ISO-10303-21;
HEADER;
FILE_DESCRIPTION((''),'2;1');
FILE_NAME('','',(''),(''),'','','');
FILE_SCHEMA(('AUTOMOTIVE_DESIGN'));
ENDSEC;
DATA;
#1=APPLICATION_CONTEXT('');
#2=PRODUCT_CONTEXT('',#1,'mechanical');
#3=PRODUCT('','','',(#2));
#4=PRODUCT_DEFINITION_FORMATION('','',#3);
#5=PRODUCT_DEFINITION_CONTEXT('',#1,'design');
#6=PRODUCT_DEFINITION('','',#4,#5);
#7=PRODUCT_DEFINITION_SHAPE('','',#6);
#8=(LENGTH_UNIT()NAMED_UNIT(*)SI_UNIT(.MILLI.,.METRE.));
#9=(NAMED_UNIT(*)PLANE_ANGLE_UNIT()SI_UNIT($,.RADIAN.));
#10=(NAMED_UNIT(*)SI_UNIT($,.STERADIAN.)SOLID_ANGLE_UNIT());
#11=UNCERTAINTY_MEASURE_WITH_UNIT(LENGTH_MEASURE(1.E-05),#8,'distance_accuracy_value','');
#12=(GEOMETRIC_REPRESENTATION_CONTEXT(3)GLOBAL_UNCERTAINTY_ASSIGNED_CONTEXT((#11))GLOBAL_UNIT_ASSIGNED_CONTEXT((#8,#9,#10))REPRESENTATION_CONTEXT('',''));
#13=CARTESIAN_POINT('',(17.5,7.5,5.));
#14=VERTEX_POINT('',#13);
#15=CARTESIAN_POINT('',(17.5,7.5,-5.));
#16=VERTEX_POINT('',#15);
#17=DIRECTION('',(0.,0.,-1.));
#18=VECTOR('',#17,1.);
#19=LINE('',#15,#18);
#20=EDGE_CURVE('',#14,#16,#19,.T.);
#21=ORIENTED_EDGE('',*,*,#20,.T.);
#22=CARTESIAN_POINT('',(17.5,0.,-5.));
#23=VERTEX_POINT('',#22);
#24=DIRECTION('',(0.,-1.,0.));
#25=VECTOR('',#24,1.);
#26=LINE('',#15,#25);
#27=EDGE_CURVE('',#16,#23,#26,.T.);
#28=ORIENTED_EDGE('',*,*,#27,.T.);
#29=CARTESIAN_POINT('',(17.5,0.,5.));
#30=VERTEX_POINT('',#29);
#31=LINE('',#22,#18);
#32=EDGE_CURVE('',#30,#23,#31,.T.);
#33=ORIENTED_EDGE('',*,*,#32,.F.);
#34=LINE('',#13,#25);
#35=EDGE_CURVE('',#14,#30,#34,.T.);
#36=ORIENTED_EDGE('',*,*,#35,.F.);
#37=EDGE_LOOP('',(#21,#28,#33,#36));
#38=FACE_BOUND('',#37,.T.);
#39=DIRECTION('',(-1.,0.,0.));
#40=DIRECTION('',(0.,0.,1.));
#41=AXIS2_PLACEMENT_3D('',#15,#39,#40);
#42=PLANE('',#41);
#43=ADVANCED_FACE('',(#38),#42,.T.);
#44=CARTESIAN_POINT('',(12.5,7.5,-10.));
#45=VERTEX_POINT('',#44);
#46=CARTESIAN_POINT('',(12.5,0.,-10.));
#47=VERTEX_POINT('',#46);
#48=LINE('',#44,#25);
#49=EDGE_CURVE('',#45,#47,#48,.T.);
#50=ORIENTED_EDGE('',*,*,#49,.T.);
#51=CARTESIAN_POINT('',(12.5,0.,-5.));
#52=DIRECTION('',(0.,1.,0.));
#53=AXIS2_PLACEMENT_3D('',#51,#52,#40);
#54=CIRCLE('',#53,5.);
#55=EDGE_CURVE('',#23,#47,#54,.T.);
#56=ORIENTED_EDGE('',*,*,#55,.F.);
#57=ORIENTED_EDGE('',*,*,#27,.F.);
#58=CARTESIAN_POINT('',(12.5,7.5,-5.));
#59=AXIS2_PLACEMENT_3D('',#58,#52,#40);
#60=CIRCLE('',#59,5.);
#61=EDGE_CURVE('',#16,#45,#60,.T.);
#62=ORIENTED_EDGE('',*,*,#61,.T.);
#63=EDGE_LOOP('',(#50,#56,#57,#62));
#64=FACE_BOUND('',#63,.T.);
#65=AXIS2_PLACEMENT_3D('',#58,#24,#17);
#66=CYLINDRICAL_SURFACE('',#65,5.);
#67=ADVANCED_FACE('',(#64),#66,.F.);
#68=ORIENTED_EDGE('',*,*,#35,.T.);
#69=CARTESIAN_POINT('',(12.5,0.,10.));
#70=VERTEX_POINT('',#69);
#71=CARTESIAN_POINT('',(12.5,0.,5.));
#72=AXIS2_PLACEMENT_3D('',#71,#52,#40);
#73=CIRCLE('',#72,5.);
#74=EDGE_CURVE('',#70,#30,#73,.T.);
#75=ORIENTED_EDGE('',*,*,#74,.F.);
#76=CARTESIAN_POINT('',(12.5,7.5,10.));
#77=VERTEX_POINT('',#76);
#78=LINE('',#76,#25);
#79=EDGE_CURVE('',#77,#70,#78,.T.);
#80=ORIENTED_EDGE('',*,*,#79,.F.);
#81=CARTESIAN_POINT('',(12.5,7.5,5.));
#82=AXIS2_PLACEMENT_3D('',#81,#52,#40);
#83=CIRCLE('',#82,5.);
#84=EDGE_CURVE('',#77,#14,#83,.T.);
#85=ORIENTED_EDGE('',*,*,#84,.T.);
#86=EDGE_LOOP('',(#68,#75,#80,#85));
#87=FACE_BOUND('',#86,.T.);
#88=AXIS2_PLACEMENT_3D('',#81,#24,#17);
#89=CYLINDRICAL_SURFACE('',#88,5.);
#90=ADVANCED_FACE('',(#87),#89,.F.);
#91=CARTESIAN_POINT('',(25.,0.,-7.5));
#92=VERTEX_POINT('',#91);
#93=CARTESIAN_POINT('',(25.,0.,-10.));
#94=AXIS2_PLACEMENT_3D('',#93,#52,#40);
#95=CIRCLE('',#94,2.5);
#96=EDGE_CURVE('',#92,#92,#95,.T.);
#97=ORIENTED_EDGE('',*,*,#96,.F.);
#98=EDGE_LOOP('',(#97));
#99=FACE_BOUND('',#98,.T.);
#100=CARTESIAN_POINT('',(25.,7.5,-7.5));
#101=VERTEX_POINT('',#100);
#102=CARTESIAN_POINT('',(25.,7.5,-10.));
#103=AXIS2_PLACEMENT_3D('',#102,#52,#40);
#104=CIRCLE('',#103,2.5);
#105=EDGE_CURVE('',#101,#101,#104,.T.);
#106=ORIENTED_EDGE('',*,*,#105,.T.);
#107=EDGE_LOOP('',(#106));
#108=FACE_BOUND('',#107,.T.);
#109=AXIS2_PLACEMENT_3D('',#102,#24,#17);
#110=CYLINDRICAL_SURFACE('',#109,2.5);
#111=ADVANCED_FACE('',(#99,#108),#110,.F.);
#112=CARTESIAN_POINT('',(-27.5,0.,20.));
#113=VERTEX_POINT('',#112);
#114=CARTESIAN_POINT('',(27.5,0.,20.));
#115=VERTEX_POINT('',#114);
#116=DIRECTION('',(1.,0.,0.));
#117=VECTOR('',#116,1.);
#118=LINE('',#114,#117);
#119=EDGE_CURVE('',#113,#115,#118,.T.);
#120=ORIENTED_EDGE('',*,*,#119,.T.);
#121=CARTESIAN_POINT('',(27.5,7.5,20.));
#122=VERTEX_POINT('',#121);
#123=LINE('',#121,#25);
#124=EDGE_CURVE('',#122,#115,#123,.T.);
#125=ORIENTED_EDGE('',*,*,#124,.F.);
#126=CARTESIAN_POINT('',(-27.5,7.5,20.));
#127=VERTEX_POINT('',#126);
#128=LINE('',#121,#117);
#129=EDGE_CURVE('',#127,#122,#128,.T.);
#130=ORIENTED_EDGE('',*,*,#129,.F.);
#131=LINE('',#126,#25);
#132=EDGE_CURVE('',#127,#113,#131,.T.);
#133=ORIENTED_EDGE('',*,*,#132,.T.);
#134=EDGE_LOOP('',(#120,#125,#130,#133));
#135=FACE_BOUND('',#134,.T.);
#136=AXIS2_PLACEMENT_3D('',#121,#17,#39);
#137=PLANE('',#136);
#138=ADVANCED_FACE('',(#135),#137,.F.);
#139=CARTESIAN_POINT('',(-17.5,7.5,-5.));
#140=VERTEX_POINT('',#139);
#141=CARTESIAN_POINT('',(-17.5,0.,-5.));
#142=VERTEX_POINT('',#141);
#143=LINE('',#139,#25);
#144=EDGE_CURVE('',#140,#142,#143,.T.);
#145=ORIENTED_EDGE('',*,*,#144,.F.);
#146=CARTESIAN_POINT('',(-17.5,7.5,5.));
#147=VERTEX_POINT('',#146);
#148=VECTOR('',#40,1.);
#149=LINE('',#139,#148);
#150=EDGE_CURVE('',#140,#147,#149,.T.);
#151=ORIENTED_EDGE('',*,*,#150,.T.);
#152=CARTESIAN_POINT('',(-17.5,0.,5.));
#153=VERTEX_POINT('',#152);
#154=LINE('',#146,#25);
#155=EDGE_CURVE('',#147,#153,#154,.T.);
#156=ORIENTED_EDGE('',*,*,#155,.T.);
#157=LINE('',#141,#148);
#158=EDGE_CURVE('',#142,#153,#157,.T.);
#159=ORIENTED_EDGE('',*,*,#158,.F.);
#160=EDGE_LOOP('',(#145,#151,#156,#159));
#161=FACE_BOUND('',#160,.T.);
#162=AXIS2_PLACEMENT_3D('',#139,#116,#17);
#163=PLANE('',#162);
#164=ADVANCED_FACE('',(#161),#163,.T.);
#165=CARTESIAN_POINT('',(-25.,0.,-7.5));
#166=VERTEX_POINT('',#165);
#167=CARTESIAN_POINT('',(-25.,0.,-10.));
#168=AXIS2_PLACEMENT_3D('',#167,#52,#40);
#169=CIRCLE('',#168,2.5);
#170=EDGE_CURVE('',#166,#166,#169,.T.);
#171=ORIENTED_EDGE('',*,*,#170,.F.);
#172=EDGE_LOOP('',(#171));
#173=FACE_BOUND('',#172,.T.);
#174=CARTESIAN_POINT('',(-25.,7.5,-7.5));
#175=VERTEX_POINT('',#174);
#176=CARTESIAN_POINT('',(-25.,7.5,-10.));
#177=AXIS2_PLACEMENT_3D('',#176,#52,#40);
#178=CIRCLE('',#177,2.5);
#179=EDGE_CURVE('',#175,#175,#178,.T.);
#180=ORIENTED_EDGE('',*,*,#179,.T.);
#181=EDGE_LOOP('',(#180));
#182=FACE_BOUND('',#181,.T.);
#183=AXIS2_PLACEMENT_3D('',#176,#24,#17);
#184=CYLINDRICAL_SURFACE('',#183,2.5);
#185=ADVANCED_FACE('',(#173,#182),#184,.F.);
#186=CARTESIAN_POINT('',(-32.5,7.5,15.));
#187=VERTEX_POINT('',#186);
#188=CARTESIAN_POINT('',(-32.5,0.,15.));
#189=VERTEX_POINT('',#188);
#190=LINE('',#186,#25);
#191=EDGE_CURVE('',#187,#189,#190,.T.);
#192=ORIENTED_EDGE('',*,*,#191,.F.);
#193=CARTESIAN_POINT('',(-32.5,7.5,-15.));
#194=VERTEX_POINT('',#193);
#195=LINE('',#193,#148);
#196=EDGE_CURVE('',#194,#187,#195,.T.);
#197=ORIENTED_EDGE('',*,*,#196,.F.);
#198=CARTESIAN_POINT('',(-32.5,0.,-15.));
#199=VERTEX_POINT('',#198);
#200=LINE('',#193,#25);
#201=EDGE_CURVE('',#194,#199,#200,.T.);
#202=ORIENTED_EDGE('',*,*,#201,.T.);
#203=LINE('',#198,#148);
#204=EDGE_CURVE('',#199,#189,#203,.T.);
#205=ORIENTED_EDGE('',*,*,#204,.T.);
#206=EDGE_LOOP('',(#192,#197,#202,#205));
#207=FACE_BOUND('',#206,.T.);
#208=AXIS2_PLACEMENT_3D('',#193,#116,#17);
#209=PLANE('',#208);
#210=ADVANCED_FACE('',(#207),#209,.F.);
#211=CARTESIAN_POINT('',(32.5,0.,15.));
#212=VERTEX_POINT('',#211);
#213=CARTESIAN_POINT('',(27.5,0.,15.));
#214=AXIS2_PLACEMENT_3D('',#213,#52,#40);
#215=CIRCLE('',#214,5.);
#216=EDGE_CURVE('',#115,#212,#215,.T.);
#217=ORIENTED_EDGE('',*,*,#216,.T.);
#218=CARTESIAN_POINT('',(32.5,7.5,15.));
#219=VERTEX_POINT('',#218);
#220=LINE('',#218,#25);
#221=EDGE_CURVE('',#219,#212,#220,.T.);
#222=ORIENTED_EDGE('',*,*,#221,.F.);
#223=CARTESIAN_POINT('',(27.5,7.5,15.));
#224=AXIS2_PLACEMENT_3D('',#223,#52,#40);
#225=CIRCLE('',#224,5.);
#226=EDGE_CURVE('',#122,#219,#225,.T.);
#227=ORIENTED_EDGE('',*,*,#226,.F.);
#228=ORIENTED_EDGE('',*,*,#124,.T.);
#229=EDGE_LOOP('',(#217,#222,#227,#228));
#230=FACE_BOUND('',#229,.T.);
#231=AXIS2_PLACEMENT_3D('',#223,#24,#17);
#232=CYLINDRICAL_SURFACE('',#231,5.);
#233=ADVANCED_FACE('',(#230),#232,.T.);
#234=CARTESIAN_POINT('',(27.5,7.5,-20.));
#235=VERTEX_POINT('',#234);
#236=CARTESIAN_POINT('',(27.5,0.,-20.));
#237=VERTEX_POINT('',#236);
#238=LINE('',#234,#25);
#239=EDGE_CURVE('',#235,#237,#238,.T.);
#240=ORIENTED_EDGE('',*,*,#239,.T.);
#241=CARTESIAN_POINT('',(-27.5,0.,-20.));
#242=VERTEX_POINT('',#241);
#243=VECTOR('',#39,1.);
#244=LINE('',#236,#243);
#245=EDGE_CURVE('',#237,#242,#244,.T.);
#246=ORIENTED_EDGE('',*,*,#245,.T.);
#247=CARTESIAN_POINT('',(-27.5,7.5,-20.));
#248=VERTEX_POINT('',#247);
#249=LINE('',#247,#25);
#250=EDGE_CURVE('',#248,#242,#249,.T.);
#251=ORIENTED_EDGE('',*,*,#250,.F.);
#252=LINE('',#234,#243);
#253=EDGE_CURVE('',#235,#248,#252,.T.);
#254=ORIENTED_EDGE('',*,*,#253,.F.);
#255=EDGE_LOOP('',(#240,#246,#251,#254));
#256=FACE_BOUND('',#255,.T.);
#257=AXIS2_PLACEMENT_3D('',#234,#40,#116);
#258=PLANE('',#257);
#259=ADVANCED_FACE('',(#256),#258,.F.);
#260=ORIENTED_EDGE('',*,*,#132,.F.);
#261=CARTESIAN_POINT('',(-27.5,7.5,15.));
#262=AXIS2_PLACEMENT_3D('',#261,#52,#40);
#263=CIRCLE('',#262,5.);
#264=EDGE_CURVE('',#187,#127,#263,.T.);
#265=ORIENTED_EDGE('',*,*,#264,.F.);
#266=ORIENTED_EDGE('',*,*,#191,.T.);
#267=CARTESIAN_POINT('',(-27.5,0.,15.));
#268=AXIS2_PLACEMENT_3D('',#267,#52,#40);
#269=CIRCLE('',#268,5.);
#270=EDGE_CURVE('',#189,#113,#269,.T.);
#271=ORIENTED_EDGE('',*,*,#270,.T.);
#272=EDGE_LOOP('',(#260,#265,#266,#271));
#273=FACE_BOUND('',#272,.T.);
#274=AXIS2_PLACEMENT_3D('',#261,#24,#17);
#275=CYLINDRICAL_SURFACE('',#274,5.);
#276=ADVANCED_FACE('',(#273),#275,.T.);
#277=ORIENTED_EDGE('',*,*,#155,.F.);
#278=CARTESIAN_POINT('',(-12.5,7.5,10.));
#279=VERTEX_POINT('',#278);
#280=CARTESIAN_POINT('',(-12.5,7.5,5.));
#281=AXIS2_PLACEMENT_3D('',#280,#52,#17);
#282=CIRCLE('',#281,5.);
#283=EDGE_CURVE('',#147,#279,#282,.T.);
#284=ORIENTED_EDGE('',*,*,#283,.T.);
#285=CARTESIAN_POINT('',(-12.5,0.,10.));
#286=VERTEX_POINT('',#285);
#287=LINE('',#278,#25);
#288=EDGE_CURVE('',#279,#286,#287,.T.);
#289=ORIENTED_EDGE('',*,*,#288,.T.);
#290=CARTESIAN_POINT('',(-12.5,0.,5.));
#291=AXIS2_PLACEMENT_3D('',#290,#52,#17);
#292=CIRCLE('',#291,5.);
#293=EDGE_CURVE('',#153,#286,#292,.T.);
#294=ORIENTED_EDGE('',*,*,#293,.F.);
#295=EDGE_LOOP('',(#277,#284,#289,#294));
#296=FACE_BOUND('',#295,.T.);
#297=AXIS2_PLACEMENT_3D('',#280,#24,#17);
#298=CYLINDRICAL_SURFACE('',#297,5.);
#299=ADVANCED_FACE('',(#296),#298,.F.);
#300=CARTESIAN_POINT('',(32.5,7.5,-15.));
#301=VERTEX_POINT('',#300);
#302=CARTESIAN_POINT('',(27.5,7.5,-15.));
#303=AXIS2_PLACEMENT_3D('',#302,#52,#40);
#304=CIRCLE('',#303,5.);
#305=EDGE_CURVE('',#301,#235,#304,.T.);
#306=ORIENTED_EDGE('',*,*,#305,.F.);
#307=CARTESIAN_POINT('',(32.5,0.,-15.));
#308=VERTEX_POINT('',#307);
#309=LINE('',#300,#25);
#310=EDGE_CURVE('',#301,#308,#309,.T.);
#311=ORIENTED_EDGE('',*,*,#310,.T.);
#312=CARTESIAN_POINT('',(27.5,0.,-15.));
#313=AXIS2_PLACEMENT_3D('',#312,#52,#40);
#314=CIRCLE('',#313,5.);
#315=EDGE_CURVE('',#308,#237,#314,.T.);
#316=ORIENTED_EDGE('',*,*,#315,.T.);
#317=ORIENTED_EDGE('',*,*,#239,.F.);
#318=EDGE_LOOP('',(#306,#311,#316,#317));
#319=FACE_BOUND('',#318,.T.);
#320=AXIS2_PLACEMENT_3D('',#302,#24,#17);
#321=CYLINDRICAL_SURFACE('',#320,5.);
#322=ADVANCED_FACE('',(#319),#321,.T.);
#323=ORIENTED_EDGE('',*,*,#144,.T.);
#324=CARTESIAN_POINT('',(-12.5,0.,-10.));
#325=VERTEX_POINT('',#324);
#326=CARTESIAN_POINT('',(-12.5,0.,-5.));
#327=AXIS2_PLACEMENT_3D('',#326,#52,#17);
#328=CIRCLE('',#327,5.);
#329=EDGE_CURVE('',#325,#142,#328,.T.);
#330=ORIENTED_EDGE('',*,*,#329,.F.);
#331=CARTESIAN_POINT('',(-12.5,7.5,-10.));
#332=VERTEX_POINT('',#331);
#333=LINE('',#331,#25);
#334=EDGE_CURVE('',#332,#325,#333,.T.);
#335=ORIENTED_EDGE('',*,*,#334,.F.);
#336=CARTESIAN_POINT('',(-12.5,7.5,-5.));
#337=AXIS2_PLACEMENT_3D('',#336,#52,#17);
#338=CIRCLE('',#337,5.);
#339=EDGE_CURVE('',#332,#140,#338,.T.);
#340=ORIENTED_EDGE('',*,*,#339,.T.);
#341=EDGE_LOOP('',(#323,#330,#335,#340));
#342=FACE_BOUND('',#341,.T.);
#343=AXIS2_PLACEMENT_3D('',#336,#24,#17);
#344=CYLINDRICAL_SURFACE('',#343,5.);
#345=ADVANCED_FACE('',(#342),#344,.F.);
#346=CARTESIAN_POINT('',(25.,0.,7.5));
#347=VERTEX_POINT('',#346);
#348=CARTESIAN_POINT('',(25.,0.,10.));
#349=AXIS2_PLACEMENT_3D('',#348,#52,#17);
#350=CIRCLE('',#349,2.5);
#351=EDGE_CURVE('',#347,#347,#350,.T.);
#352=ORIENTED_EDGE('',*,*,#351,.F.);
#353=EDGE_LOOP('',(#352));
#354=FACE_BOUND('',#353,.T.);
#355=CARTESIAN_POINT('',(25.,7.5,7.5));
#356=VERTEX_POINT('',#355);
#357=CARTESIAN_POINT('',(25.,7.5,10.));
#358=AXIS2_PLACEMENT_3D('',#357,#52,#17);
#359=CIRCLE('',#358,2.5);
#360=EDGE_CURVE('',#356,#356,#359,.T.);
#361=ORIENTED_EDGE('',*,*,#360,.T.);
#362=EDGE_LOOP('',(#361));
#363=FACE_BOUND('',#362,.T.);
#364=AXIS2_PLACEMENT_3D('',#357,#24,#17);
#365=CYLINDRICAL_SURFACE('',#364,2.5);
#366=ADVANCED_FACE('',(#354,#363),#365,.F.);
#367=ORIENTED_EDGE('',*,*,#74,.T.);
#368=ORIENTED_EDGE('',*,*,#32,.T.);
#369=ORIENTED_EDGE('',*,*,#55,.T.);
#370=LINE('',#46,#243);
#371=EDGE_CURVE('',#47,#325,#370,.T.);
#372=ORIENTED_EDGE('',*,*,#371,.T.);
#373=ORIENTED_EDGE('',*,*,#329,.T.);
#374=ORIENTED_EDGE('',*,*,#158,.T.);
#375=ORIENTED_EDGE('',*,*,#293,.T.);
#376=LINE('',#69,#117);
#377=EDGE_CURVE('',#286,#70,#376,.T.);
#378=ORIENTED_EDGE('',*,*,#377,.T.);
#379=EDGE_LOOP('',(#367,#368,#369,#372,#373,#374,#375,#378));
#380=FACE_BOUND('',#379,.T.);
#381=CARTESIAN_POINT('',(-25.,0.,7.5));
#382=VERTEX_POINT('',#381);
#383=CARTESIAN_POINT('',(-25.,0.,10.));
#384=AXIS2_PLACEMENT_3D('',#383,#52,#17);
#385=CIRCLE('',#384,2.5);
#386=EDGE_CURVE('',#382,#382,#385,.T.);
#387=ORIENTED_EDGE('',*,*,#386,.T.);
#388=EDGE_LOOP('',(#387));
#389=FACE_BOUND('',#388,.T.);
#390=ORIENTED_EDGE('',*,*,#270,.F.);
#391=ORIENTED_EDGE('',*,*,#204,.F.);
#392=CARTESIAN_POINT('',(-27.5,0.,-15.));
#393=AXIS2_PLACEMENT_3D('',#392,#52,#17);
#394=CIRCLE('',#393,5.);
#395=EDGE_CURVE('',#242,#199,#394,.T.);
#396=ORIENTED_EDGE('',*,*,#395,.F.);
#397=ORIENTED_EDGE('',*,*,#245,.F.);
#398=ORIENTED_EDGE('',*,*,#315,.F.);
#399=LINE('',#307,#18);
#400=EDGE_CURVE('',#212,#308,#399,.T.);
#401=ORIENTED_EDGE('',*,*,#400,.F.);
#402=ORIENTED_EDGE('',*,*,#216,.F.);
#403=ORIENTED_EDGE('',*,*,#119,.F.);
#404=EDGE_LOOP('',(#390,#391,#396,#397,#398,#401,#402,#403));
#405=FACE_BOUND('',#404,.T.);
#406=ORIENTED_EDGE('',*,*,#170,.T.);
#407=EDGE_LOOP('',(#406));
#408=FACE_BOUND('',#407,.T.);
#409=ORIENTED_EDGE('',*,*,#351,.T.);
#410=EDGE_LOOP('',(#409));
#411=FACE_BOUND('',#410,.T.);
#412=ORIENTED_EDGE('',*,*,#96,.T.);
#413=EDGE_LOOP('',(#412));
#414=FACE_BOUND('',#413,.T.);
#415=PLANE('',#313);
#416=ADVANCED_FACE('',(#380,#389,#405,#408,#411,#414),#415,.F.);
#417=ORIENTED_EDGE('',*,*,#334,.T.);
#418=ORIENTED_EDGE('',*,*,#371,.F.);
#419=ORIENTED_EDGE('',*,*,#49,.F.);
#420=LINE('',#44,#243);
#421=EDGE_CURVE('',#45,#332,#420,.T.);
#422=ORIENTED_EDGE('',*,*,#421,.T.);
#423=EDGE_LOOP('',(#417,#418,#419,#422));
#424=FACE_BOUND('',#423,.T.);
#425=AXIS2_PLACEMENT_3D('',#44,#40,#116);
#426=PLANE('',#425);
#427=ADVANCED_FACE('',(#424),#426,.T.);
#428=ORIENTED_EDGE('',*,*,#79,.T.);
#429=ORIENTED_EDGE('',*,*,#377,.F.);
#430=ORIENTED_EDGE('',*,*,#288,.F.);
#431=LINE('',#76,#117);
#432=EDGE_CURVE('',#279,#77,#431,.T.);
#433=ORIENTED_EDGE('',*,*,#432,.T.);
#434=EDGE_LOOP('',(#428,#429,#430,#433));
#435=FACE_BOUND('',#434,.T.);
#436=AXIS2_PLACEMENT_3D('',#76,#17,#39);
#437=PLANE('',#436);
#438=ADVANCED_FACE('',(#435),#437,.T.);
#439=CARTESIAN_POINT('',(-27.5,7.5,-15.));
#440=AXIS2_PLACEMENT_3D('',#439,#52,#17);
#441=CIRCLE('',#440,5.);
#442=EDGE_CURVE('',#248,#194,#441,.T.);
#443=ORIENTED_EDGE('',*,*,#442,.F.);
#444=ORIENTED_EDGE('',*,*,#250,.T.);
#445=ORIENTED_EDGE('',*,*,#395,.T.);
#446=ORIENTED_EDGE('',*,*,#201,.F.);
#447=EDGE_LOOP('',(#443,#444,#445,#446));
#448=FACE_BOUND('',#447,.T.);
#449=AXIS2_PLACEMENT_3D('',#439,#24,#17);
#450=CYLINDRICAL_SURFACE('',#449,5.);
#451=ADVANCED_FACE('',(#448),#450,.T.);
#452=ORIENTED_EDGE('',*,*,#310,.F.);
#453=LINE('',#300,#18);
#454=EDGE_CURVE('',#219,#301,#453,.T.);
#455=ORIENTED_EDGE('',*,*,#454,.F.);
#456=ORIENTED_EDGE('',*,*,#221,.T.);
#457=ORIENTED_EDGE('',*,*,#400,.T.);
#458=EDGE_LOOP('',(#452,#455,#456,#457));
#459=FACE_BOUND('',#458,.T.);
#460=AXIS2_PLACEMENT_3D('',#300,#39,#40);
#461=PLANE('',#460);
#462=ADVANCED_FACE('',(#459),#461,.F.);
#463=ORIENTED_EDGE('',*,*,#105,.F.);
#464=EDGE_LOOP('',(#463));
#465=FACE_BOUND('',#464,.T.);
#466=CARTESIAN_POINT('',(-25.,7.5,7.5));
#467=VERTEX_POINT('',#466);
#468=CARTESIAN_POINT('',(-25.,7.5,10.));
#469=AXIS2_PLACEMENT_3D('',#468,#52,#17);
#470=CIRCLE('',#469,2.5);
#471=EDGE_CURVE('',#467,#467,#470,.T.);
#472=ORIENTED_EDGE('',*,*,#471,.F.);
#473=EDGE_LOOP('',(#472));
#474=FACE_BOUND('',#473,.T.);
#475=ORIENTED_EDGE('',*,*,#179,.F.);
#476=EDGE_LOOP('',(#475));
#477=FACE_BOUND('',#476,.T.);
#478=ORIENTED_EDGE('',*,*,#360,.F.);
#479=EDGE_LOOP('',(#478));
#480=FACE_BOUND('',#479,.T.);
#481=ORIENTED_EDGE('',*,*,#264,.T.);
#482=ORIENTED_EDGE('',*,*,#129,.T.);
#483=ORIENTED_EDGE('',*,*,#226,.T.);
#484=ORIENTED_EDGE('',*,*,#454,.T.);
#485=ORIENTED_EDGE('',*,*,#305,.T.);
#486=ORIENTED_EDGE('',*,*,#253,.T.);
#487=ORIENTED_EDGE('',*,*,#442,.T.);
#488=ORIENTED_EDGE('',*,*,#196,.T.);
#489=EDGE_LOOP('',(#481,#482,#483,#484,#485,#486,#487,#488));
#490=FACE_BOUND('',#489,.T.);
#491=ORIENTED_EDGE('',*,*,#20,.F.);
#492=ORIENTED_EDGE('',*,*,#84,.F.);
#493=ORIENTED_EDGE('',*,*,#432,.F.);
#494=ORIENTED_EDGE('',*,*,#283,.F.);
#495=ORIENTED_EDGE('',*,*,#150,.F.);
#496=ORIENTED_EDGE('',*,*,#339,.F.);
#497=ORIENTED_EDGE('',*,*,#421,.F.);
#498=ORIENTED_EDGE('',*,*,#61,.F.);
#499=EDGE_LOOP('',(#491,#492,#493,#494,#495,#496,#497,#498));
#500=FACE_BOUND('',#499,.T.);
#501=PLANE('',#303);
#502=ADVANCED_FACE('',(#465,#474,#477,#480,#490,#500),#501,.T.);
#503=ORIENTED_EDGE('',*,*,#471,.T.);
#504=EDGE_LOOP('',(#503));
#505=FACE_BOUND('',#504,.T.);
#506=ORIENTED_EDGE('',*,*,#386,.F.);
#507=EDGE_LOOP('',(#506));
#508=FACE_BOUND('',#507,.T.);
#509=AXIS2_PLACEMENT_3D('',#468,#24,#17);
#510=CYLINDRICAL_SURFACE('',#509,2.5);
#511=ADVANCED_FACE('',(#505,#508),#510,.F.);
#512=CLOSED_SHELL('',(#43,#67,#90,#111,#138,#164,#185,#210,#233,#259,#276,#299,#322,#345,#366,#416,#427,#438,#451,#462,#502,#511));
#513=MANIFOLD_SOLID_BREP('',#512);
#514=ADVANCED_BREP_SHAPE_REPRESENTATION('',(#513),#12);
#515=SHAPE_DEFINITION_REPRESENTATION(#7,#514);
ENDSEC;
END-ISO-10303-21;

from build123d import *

# Parameters (mm, degrees)
SKETCH1_R           = 2.5
BOSS_EXTRUDE1_DEPTH = 7.5


with BuildPart() as part:
    # Sketch1 → Boss-Extrude1 (new body)
    with BuildSketch(Plane(origin=(0, 0, 0), x_dir=(1, 0, 0), z_dir=(0, 1, 0))):
        with BuildLine():
            Line((27.5, 20), (-27.5, 20))
            ThreePointArc((-27.5, 20), (-31.035533906, 18.535533906), (-32.5, 15))
            Line((-32.5, 15), (-32.5, -15))
            ThreePointArc((-32.5, -15), (-31.035533906, -18.535533906), (-27.5, -20))
            Line((-27.5, -20), (27.5, -20))
            ThreePointArc((27.5, -20), (31.035533906, -18.535533906), (32.5, -15))
            Line((32.5, -15), (32.5, 15))
            ThreePointArc((32.5, 15), (31.035533906, 18.535533906), (27.5, 20))
        make_face()
        with Locations(Location((-25, 10, 0), (0, 0, 270))):
            Circle(SKETCH1_R, mode=Mode.SUBTRACT)
        with Locations(Location((25, 10, 0), (0, 0, 270))):
            Circle(SKETCH1_R, mode=Mode.SUBTRACT)
        with Locations(Location((25, -10, 0), (0, 0, 90))):
            Circle(SKETCH1_R, mode=Mode.SUBTRACT)
        with Locations(Location((-25, -10, 0), (0, 0, 90))):
            Circle(SKETCH1_R, mode=Mode.SUBTRACT)
        with BuildLine():
            Line((12.5, 10), (-12.5, 10))
            ThreePointArc((-12.5, 10), (-16.035533906, 8.535533906), (-17.5, 5))
            Line((-17.5, 5), (-17.5, -5))
            ThreePointArc((-17.5, -5), (-16.035533906, -8.535533906), (-12.5, -10))
            Line((-12.5, -10), (12.5, -10))
            ThreePointArc((12.5, -10), (16.035533906, -8.535533906), (17.5, -5))
            Line((17.5, -5), (17.5, 5))
            ThreePointArc((17.5, 5), (16.035533906, 8.535533906), (12.5, 10))
        make_face(mode=Mode.SUBTRACT)
    extrude(amount=BOSS_EXTRUDE1_DEPTH)


solid = part.part
